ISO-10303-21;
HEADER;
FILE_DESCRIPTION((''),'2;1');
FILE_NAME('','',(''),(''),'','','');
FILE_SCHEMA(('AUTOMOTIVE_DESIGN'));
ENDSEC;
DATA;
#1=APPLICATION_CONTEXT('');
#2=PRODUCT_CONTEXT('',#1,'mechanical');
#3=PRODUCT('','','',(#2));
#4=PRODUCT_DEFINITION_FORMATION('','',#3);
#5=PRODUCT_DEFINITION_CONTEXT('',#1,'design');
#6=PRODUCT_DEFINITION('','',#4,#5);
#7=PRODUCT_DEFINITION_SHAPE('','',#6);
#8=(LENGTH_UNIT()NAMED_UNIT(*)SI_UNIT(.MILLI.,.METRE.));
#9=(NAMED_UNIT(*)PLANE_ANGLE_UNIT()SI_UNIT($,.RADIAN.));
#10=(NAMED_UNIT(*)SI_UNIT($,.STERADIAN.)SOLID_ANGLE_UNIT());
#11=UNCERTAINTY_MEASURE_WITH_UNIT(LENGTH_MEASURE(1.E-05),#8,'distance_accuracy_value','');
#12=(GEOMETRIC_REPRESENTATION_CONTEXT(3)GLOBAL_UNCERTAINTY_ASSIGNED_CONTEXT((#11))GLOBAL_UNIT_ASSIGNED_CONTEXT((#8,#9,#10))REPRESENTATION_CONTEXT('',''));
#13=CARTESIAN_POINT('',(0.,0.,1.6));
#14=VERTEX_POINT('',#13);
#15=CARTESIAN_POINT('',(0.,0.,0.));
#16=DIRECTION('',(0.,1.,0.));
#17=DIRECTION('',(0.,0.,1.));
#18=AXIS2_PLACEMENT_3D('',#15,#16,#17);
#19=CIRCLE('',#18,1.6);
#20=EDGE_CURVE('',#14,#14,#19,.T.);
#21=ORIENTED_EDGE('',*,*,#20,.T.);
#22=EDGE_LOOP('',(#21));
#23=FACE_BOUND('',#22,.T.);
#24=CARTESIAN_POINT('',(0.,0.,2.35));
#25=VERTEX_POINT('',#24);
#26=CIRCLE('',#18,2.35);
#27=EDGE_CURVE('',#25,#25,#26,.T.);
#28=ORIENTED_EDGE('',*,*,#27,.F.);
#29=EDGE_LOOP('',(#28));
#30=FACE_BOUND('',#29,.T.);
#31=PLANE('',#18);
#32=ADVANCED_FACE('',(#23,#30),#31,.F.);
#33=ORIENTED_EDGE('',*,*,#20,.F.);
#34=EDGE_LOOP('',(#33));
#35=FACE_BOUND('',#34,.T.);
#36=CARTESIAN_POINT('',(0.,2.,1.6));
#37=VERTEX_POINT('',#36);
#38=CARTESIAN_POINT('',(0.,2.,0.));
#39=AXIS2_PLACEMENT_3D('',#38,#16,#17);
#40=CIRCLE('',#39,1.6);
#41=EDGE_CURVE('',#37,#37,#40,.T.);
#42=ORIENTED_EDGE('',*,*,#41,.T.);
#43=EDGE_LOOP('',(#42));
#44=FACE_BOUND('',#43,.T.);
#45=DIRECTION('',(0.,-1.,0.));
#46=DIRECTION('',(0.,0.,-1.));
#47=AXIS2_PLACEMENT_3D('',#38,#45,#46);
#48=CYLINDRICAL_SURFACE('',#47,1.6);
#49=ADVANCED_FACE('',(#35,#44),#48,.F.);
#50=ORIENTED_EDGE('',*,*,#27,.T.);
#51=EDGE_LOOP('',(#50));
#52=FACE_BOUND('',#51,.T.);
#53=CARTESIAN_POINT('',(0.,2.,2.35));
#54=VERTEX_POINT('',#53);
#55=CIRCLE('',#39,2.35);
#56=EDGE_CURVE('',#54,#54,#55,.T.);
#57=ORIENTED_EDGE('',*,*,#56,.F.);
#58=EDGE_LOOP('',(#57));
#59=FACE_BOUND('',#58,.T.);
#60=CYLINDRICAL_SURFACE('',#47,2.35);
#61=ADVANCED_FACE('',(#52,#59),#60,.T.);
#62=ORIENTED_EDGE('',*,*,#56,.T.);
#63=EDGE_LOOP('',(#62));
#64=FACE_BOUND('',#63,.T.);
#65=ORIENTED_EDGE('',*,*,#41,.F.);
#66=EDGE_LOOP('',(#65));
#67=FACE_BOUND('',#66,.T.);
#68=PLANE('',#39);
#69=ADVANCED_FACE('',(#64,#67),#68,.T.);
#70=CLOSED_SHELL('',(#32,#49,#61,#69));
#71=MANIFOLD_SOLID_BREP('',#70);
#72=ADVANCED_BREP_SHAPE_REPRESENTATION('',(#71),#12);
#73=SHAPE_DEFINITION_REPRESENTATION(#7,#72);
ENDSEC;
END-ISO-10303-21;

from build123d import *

# Parameters (mm, degrees)
SKETCH1_R           = 2.35
SKETCH1_R_2         = 1.6
BOSS_EXTRUDE1_DEPTH = 2


with BuildPart() as part:
    # Sketch1 → Boss-Extrude1 (new body)
    with BuildSketch(Plane(origin=(0, 0, 0), x_dir=(1, 0, 0), z_dir=(0, 1, 0))):
        Circle(SKETCH1_R)
        Circle(SKETCH1_R_2, mode=Mode.SUBTRACT)
    extrude(amount=BOSS_EXTRUDE1_DEPTH)


solid = part.part
